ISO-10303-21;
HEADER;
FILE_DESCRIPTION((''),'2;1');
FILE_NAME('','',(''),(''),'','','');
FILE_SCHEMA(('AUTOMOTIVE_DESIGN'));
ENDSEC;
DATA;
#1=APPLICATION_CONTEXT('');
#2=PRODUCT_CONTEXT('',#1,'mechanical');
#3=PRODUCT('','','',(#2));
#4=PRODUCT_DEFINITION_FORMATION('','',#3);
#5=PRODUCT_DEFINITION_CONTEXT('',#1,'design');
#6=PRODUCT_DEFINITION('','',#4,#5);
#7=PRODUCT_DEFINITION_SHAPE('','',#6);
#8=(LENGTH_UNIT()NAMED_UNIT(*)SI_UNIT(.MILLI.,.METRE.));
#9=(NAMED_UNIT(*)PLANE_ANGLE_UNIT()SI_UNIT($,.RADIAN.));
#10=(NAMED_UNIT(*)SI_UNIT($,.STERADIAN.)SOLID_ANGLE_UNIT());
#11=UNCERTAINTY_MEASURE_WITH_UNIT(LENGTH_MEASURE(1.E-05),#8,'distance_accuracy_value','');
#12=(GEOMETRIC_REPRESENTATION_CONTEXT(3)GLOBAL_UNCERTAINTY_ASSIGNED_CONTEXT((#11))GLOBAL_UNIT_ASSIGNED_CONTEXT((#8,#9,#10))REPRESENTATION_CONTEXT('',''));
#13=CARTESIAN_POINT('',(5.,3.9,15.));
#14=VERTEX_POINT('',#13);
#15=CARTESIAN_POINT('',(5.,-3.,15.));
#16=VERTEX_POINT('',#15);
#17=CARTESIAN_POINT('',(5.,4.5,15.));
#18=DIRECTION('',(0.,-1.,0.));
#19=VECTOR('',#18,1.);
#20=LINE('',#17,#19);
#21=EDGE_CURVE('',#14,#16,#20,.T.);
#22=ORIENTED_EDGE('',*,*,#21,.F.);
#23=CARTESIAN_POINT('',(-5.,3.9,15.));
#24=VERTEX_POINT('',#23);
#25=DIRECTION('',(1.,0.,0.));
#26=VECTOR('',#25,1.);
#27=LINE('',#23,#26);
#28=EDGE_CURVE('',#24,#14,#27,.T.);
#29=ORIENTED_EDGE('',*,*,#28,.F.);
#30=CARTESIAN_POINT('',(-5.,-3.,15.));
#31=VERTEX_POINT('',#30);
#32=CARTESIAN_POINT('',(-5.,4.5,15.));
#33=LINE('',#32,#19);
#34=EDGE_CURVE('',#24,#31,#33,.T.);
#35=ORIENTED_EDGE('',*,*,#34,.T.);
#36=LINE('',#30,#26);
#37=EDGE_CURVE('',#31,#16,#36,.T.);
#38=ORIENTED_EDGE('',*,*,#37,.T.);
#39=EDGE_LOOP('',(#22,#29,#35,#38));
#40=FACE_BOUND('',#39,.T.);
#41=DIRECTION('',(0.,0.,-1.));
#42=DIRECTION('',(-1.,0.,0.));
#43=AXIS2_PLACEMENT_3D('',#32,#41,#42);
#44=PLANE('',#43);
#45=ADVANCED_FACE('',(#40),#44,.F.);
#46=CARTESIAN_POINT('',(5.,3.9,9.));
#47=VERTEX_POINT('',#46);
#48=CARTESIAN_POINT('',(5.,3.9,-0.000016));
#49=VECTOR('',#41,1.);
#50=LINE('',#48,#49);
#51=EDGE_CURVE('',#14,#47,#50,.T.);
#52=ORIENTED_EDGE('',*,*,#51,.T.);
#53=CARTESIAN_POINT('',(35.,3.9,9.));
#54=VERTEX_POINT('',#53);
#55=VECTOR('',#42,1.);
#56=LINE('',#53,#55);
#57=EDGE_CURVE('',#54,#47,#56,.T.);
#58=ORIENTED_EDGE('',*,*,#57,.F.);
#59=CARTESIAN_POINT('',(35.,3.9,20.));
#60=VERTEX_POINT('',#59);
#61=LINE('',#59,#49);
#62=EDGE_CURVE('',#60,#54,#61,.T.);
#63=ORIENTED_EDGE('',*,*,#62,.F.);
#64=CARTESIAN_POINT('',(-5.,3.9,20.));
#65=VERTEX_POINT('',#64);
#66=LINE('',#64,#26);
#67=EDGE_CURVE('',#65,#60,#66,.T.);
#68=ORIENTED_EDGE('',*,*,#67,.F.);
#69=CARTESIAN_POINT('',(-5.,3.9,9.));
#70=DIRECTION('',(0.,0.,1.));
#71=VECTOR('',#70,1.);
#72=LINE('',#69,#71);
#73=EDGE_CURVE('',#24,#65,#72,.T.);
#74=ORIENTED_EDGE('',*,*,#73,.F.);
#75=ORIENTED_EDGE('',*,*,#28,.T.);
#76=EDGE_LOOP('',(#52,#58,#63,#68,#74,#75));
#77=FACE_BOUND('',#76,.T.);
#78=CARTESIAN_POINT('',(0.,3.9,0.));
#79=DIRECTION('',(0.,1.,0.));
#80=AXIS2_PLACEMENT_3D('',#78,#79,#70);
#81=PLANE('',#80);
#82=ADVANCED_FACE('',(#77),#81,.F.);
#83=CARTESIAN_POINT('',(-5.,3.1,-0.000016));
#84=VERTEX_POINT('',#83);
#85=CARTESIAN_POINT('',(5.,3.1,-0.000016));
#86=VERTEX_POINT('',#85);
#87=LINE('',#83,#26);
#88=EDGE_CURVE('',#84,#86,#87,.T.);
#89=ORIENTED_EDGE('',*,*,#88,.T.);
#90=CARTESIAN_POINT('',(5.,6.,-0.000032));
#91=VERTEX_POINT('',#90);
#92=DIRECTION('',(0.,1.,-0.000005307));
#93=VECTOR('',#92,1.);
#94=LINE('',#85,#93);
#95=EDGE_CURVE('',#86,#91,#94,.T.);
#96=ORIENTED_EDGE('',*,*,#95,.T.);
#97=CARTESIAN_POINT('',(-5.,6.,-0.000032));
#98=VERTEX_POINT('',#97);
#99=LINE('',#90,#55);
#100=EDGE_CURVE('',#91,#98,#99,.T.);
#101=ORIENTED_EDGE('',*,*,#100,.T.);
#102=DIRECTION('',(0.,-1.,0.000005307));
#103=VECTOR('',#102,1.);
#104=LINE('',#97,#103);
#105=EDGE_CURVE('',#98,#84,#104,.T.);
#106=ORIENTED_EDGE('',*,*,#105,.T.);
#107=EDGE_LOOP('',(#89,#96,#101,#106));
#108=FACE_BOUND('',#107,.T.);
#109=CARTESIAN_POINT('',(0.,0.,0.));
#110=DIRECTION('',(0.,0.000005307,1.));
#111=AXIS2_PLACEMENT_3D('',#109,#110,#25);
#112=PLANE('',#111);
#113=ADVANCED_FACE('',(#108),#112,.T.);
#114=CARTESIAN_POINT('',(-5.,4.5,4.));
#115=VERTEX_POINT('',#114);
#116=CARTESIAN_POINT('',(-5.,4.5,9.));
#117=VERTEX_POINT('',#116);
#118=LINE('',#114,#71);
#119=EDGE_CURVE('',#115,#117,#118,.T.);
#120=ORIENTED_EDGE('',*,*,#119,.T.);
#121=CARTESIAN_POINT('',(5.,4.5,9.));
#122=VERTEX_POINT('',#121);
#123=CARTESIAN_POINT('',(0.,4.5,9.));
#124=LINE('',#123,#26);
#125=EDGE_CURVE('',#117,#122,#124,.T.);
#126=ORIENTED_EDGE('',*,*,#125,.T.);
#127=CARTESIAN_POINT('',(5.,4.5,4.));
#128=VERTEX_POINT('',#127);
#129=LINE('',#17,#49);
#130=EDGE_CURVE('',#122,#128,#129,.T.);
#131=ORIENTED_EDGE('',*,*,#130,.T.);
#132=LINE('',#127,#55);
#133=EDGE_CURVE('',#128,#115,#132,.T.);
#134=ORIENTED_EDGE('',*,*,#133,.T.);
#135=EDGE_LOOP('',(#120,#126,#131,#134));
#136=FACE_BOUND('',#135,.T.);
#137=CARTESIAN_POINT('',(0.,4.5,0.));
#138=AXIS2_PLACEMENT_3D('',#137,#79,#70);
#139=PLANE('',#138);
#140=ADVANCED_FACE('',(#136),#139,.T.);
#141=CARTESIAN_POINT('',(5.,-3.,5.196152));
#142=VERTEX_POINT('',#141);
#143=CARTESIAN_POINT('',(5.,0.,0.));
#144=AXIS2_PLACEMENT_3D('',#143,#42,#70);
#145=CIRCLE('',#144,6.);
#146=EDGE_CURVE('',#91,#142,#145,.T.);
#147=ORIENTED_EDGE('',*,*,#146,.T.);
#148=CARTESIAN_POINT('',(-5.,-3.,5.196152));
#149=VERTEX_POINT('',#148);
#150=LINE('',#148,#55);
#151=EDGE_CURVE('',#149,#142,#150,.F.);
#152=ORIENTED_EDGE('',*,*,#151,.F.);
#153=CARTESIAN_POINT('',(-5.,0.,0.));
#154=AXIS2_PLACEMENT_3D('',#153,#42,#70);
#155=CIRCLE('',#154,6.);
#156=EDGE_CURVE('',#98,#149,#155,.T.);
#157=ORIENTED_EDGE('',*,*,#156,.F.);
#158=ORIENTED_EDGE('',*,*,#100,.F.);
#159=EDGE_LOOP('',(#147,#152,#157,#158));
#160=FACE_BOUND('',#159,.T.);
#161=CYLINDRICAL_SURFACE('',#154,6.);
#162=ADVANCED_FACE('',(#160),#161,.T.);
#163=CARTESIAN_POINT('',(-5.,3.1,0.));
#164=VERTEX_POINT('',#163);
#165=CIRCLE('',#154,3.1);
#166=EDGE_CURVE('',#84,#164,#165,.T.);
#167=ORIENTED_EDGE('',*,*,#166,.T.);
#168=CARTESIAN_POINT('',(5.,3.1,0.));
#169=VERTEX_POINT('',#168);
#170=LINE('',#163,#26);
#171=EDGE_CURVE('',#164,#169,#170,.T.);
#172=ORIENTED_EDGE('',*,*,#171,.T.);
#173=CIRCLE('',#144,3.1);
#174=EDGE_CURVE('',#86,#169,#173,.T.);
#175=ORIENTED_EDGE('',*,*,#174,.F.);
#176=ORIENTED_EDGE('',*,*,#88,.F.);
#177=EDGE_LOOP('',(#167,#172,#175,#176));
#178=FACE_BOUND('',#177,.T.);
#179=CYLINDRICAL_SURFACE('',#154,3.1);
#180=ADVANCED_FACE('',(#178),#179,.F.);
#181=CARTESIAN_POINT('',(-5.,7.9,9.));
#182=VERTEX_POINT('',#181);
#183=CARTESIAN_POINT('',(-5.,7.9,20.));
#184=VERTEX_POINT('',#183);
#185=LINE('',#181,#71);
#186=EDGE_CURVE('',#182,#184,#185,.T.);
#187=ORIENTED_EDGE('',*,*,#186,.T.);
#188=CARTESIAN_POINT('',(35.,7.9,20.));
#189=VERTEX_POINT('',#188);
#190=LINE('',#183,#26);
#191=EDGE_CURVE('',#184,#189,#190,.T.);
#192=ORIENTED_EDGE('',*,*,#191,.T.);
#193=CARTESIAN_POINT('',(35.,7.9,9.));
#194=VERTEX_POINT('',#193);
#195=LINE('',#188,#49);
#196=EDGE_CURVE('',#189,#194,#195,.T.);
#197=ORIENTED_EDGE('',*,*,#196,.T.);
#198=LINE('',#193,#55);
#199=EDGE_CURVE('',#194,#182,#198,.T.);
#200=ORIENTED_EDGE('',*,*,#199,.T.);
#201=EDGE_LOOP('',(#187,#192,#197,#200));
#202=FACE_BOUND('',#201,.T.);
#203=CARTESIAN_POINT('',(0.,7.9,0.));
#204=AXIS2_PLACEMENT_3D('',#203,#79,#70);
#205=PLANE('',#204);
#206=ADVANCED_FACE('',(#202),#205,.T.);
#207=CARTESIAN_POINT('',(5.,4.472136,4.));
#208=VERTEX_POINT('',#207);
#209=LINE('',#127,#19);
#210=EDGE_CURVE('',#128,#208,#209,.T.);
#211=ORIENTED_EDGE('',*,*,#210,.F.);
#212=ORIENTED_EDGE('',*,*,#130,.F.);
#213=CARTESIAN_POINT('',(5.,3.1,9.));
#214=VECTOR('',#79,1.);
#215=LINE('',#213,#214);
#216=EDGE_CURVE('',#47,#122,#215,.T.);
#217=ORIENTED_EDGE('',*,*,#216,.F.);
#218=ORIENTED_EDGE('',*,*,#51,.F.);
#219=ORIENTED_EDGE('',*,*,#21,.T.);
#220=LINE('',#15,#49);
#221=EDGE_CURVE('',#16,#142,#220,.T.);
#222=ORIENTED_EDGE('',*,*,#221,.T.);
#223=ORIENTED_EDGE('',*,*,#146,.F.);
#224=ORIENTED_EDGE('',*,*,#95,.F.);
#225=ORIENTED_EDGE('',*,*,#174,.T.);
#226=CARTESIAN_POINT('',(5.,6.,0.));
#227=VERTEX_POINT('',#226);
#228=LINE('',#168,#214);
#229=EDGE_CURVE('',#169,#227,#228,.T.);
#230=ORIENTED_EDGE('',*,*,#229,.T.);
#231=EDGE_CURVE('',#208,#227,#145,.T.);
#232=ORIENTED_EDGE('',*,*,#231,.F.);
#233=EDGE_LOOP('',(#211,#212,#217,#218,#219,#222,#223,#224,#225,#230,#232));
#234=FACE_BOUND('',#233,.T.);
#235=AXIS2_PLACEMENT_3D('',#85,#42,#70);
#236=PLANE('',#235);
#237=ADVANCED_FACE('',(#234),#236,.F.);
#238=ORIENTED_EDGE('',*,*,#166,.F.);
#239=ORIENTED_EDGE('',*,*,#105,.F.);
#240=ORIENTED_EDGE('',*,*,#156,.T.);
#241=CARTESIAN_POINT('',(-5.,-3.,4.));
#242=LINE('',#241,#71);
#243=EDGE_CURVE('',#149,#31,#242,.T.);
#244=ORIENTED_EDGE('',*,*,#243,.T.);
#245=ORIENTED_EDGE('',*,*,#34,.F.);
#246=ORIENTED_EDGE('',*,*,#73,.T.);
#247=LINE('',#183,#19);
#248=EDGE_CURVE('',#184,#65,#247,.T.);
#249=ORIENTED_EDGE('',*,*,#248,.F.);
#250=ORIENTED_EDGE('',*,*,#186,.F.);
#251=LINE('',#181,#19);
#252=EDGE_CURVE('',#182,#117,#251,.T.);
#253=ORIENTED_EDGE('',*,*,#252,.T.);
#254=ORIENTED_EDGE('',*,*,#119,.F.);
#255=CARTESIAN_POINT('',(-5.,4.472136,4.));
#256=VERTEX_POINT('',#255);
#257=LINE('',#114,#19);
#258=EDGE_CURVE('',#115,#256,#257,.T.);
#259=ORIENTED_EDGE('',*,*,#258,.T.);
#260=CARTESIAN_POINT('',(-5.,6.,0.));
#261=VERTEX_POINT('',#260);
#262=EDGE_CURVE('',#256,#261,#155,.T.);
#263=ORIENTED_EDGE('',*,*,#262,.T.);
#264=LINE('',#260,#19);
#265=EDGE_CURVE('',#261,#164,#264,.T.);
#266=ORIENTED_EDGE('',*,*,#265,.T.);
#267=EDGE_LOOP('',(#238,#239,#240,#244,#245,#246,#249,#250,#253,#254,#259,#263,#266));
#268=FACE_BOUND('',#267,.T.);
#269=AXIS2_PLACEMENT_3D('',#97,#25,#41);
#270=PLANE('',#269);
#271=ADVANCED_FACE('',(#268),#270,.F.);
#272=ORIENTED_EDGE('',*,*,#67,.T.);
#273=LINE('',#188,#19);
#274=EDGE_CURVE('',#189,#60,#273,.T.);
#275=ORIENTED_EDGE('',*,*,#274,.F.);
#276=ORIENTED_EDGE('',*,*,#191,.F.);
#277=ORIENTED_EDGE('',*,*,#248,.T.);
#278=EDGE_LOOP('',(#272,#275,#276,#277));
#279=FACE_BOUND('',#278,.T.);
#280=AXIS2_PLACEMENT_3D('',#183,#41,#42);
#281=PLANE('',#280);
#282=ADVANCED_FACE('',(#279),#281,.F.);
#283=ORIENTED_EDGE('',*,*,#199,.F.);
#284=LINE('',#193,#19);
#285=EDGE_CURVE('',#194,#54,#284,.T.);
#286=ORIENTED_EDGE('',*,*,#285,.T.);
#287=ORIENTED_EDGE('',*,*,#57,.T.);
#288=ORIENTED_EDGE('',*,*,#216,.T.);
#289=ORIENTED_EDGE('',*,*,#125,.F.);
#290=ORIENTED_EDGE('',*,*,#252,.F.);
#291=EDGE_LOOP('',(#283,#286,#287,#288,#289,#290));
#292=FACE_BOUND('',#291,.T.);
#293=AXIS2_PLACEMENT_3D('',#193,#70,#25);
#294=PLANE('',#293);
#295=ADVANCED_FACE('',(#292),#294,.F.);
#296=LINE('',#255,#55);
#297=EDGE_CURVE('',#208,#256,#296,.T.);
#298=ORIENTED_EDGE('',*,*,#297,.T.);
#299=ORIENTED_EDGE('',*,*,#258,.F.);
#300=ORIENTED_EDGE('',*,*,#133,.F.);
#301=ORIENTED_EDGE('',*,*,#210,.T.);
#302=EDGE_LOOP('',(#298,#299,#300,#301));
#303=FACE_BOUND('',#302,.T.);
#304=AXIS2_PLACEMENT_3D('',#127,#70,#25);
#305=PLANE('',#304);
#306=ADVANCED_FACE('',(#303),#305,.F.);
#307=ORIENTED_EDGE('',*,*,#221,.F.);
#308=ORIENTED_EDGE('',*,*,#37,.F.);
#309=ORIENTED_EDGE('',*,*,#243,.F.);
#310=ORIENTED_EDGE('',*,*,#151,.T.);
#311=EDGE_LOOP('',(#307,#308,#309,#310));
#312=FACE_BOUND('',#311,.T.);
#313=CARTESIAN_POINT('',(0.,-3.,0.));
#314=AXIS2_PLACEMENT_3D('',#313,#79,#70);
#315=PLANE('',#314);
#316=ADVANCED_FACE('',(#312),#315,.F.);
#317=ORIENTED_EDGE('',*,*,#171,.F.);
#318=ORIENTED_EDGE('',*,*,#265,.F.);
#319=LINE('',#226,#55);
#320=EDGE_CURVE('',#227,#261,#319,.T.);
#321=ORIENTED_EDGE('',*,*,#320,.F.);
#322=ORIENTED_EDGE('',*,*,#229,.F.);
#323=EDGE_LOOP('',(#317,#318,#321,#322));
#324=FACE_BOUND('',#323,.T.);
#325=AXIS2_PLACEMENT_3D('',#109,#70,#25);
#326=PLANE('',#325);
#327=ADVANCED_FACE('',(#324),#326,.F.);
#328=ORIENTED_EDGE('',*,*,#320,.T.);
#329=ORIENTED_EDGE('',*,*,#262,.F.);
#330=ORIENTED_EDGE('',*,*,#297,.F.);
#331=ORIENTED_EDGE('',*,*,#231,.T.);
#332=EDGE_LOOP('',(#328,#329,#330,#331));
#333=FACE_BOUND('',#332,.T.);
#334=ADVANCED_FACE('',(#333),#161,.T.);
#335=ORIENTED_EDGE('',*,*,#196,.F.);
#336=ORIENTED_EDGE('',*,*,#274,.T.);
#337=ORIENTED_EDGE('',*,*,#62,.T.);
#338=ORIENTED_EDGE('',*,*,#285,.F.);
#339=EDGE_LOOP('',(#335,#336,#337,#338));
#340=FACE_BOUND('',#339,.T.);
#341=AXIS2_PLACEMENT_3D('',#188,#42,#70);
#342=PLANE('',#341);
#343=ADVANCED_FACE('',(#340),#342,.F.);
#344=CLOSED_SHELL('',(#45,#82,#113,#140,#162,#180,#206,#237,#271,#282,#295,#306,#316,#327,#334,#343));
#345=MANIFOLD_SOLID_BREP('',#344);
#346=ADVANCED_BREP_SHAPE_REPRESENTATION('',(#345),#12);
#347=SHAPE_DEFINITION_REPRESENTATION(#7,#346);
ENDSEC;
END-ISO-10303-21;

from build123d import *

# Parameters (mm, degrees)
SKETCH1_W           = 10
SKETCH1_H           = 2.9
REVOLVE1_ANGLE      = 359.999695921
BOSS_EXTRUDE1_START = -3
SKETCH2_W           = 10
SKETCH2_H           = 11
BOSS_EXTRUDE1_DEPTH = 7.5
BOSS_EXTRUDE2_START = 3.9
SKETCH3_W           = 40
SKETCH3_H           = 11
BOSS_EXTRUDE2_DEPTH = 4


with BuildPart() as part:
    # Sketch1 → Revolve1 (revolve)
    with BuildSketch(Plane.XY):
        with Locations((0, 4.55)):
            Rectangle(SKETCH1_W, SKETCH1_H)
    revolve(axis=Axis((-5, 0, 0), (1, 0, 0)), revolution_arc=REVOLVE1_ANGLE)

    # Sketch2 → Boss-Extrude1 (add)
    with BuildSketch(Plane(origin=(0, 0, 0), x_dir=(1, 0, 0), z_dir=(0, 1, 0)).offset(BOSS_EXTRUDE1_START)):
        with Locations((0, -9.5)):
            Rectangle(SKETCH2_W, SKETCH2_H)
    extrude(amount=BOSS_EXTRUDE1_DEPTH)

    # Sketch3 → Boss-Extrude2 (add)
    with BuildSketch(Plane(origin=(0, 0, 0), x_dir=(1, 0, 0), z_dir=(0, 1, 0)).offset(BOSS_EXTRUDE2_START)):
        with Locations((15, -14.5)):
            Rectangle(SKETCH3_W, SKETCH3_H)
    extrude(amount=BOSS_EXTRUDE2_DEPTH)


solid = part.part
